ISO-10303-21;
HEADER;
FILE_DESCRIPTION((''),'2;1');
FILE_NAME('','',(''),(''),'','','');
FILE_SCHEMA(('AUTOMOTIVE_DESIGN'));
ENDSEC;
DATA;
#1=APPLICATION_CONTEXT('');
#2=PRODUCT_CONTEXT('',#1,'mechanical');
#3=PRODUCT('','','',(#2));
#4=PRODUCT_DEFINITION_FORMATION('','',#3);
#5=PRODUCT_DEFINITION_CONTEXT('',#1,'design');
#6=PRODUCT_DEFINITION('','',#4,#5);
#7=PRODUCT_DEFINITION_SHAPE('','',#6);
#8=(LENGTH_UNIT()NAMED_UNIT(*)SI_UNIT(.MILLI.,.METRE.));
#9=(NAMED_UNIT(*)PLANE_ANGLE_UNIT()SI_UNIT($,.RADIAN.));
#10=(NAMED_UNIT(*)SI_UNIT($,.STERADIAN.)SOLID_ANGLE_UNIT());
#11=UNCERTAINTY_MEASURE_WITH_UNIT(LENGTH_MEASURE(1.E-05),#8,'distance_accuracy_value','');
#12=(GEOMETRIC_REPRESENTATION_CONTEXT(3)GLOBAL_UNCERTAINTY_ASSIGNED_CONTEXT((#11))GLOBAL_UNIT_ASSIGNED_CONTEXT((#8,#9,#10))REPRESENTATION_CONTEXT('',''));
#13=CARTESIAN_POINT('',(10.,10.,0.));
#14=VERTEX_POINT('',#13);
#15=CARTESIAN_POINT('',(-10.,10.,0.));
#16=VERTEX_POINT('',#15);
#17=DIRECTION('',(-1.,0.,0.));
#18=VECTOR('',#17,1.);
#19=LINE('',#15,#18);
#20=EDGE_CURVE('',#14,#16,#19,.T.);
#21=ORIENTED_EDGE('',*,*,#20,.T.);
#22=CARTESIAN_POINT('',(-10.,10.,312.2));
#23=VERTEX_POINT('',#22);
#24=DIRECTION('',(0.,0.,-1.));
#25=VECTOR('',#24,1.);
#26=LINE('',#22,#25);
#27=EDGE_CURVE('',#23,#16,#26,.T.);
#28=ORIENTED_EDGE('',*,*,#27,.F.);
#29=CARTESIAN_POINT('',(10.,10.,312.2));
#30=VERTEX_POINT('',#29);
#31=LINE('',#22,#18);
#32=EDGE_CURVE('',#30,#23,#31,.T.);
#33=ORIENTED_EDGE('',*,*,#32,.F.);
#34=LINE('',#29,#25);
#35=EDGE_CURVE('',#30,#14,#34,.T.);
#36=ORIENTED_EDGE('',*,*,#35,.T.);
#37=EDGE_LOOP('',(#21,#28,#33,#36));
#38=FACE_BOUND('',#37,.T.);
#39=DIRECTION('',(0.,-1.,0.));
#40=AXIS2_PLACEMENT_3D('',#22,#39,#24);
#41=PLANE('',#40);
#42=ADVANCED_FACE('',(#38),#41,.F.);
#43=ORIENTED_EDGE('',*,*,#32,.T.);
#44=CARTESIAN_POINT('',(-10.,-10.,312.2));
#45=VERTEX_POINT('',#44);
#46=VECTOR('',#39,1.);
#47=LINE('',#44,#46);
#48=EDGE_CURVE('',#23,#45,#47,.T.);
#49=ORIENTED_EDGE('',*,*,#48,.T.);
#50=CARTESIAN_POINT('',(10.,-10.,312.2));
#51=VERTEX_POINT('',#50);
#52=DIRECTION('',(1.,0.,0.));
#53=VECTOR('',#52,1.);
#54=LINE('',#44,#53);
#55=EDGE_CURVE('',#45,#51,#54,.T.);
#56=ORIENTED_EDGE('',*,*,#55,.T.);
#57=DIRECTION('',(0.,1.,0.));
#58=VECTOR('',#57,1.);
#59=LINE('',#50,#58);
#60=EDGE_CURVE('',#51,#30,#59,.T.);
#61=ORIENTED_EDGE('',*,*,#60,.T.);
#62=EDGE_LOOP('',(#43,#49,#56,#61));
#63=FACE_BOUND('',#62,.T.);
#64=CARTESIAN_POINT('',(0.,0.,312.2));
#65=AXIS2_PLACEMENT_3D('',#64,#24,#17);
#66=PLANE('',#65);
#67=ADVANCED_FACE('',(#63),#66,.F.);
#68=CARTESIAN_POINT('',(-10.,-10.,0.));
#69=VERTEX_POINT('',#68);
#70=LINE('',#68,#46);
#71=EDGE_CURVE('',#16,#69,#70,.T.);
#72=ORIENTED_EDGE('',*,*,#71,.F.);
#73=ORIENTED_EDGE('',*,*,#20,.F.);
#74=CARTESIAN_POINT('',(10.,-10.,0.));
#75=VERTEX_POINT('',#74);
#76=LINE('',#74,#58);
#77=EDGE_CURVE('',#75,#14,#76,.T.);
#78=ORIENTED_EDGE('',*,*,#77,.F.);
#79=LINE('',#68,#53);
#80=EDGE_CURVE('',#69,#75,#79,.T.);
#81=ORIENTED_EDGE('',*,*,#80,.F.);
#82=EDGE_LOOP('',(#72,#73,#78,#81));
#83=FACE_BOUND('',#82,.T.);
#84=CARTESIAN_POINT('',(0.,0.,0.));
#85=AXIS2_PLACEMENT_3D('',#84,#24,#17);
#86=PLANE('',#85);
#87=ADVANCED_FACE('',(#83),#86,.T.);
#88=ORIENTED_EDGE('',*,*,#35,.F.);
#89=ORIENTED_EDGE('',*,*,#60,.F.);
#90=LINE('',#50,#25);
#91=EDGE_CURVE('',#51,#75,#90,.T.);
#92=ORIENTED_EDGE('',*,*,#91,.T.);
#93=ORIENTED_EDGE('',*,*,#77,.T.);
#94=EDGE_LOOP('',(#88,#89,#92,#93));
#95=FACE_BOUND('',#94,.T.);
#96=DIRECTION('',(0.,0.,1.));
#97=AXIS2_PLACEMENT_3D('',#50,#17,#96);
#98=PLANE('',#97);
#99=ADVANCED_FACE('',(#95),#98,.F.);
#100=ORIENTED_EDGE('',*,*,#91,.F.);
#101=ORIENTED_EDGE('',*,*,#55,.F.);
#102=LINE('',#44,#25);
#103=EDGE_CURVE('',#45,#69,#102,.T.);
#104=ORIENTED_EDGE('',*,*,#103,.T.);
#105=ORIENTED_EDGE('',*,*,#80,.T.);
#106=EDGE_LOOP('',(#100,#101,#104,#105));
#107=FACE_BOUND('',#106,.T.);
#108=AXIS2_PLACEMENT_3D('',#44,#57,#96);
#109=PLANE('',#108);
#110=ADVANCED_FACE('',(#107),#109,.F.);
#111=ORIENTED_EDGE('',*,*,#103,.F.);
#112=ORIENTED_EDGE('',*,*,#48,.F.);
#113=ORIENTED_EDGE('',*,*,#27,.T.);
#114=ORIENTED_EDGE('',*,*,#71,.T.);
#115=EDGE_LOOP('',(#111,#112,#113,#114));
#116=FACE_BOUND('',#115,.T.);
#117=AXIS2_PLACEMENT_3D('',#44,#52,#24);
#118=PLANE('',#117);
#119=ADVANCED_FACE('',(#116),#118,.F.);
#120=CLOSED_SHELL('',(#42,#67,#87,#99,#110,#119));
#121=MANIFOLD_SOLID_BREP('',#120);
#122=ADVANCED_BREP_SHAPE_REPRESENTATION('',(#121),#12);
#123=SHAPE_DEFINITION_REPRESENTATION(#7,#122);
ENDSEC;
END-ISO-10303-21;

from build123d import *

# Parameters (mm, degrees)
SKETCH_1_W      = 20
SKETCH_1_H      = 20
EXTRUDE_1_DEPTH = 312.2


with BuildPart() as part:
    # 草图1 → 凸台-拉伸1 (new body)
    with BuildSketch(Plane.XY):
        Rectangle(SKETCH_1_W, SKETCH_1_H)
    extrude(amount=EXTRUDE_1_DEPTH)


solid = part.part
